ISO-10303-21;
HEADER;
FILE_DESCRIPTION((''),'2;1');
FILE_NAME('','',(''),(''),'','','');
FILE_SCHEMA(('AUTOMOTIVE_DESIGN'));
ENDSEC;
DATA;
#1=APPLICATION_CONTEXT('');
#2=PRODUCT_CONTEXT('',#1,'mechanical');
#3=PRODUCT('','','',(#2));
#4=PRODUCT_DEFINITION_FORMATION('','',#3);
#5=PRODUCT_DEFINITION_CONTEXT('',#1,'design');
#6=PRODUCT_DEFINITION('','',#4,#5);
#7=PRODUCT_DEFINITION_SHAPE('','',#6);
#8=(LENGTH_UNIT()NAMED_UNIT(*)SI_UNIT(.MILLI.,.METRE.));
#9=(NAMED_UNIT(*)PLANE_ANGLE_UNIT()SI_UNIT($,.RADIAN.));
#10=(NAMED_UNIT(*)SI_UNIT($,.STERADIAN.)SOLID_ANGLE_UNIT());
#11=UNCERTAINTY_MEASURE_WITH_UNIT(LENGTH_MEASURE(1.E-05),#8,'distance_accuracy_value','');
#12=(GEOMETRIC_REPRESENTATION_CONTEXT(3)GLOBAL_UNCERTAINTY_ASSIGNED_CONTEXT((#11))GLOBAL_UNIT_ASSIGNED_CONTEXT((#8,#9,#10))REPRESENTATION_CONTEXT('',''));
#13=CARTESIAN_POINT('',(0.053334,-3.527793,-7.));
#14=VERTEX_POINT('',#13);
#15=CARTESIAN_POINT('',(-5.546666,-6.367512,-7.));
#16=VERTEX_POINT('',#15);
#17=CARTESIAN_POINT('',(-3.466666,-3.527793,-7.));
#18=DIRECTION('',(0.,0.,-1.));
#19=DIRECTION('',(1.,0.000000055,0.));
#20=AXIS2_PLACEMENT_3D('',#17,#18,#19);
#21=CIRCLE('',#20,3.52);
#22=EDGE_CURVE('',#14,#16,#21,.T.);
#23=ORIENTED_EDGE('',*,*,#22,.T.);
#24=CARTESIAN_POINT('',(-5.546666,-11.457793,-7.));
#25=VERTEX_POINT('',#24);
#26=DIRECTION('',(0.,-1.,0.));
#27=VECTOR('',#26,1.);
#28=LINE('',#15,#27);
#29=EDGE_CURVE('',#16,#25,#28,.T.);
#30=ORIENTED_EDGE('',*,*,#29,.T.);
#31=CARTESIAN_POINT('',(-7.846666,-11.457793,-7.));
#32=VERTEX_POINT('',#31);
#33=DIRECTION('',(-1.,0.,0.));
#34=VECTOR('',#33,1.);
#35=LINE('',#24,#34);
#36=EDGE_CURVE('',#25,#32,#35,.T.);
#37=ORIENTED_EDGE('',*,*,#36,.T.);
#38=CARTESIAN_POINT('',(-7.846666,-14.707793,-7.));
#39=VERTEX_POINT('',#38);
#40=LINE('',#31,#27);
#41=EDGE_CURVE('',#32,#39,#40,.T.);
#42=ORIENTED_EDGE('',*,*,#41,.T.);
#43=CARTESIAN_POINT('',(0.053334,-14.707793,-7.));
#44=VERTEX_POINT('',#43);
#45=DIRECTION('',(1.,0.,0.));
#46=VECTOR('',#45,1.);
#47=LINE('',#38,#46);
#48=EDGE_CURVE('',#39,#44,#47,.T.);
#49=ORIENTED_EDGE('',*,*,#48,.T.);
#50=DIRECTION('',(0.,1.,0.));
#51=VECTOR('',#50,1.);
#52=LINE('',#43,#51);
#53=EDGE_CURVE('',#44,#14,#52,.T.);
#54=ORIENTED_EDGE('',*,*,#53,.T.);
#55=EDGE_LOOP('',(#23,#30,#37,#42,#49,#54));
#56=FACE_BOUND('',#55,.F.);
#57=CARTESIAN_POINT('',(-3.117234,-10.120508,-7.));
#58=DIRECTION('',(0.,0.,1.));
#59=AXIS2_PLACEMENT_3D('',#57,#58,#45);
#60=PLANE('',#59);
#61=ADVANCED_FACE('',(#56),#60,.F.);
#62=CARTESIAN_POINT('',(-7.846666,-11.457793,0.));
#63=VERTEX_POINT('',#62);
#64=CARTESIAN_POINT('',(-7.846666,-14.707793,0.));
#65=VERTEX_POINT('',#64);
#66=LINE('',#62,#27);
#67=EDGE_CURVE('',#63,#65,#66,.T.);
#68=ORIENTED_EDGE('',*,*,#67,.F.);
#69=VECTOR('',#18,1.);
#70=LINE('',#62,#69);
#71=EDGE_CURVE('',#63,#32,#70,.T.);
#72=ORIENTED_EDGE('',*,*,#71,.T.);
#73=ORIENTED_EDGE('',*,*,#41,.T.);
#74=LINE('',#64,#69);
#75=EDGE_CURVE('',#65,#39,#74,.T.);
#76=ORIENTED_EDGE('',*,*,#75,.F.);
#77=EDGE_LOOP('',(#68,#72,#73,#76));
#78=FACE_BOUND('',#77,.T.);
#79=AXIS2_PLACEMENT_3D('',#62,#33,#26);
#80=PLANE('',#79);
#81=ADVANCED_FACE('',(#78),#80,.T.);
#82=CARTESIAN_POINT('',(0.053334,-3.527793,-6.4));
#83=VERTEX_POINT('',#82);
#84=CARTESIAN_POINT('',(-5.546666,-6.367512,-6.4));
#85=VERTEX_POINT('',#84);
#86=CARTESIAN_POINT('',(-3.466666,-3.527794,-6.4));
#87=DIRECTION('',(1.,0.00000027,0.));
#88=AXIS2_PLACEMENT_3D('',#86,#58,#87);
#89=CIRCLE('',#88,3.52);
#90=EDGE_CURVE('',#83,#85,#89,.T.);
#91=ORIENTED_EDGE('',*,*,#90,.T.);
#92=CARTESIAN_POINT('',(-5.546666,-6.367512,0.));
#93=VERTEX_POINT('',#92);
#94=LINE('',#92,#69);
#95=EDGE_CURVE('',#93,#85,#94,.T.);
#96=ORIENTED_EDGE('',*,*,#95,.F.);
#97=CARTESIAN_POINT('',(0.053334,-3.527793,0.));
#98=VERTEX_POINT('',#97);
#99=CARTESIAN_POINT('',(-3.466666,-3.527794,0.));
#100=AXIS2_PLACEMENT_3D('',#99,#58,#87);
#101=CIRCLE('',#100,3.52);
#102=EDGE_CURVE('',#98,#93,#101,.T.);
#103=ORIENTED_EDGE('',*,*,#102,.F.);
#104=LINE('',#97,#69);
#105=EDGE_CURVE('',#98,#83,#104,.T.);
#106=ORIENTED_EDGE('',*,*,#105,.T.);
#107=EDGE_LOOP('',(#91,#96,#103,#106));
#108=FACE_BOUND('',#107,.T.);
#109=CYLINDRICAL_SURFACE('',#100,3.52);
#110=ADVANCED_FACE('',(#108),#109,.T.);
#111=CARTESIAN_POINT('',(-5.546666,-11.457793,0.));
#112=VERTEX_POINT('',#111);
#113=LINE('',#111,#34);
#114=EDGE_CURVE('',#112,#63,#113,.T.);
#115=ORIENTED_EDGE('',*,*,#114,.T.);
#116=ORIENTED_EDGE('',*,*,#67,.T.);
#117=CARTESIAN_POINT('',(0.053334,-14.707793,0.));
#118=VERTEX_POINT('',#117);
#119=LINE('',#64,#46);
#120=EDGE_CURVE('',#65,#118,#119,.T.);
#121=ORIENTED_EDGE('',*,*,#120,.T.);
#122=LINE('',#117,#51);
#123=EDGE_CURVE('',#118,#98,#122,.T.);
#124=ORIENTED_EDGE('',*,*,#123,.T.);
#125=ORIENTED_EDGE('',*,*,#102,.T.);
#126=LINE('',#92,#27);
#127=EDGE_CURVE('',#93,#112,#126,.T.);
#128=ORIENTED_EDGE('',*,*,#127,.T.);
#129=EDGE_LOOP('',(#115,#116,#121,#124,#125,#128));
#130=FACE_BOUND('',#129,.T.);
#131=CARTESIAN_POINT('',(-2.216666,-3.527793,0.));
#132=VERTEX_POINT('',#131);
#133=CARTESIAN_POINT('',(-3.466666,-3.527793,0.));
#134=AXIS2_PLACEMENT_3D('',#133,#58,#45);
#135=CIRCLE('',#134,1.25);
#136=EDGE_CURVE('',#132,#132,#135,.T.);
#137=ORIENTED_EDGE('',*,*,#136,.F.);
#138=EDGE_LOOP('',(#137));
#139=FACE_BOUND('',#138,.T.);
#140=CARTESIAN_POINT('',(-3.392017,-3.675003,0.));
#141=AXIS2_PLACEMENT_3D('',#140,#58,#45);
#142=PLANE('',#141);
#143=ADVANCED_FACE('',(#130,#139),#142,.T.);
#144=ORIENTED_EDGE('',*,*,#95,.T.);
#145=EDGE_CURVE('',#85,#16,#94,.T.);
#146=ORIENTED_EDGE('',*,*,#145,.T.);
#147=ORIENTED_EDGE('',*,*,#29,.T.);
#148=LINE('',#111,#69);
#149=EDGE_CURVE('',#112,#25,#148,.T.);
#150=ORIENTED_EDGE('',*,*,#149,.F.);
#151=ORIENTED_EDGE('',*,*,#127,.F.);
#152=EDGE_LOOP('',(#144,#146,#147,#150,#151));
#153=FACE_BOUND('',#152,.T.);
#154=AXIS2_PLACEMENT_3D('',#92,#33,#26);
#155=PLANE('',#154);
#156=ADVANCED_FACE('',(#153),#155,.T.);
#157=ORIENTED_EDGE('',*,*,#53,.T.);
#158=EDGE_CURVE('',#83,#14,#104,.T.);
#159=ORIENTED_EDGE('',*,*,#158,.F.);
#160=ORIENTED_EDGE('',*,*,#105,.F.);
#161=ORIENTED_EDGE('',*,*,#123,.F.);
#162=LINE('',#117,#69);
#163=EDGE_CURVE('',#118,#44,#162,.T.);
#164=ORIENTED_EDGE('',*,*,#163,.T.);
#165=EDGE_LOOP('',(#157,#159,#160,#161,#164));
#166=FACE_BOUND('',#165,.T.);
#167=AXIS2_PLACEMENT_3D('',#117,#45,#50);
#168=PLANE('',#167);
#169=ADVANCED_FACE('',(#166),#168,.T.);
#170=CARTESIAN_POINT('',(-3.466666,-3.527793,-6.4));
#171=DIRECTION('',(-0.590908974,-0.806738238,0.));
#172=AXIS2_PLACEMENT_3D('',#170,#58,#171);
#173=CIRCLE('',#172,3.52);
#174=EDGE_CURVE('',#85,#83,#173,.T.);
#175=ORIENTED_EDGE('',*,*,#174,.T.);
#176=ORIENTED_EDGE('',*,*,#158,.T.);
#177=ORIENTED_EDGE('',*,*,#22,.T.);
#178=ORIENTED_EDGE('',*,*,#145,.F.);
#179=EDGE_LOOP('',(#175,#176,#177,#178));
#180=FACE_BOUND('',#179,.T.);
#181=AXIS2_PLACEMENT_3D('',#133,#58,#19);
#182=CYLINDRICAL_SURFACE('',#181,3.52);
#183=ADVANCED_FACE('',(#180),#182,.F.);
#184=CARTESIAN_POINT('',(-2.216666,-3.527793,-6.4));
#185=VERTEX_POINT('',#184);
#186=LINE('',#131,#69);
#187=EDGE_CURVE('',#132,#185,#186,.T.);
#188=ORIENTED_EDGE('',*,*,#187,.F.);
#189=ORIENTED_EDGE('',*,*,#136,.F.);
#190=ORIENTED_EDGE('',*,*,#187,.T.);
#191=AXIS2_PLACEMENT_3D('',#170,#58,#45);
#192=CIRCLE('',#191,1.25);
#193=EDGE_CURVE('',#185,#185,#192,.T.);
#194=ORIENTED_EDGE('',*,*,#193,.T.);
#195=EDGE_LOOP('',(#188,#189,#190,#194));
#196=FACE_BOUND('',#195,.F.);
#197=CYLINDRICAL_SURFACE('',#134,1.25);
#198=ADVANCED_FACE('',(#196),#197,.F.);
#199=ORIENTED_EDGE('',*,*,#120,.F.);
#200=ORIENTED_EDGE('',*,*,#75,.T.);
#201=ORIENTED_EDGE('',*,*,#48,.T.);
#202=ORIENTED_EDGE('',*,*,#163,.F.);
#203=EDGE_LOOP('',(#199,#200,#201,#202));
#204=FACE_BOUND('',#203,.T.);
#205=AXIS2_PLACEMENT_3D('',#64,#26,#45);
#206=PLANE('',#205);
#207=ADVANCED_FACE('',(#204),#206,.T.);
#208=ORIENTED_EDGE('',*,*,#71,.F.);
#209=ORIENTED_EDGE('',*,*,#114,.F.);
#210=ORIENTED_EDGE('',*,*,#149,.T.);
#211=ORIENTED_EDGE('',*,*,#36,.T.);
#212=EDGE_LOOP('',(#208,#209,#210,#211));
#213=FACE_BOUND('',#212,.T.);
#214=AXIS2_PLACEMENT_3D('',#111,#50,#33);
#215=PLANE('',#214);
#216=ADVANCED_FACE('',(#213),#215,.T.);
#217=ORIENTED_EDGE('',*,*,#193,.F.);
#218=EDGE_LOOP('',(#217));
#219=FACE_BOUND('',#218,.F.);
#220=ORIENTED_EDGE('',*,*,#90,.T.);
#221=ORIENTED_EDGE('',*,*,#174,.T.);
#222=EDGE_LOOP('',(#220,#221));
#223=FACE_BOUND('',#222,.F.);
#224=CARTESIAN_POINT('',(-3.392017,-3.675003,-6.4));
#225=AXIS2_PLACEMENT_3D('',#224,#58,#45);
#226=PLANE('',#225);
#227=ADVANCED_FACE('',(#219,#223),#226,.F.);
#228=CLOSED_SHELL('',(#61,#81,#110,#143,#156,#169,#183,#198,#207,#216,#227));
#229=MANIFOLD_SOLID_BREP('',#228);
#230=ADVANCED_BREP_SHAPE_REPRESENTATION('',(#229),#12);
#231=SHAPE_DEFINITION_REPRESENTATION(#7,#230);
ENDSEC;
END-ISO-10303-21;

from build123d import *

# Parameters (mm, degrees)
F1_DEPTH = 7
F0_R     = 1.25
F2_DEPTH = 6.4


with BuildPart() as f1:
    # F0 (on Top) → F1 (new body)
    with BuildSketch(Plane.XY):
        with BuildLine():
            Line((0.053334, -14.707793), (0.053334, -3.527793))
            ThreePointArc((0.053334, -3.527793), (-1.874686, -6.66722), (-5.546666, -6.367512))
            Line((-5.546666, -6.367512), (-5.546666, -11.457793))
            Line((-5.546666, -11.457793), (-7.846666, -11.457793))
            Line((-7.846666, -11.457793), (-7.846666, -14.707793))
            Line((-7.846666, -14.707793), (-3.466666, -14.707793))
            Line((-3.466666, -14.707793), (0.053334, -14.707793))
        make_face()
    extrude(amount=-F1_DEPTH)

    # F0 (on Top) → F2 (join)
    with BuildSketch(Plane.XY):
        with BuildLine():
            ThreePointArc((-5.546666, -6.367512), (-1.874686, -6.66722), (0.053334, -3.527793))
            ThreePointArc((0.053334, -3.527793), (-5.058645, -0.388367), (-5.546666, -6.367512))
        make_face()
        with Locations((-3.466666, -3.527793)):
            Circle(F0_R, mode=Mode.SUBTRACT)
    extrude(amount=-F2_DEPTH)


solid = f1.part
